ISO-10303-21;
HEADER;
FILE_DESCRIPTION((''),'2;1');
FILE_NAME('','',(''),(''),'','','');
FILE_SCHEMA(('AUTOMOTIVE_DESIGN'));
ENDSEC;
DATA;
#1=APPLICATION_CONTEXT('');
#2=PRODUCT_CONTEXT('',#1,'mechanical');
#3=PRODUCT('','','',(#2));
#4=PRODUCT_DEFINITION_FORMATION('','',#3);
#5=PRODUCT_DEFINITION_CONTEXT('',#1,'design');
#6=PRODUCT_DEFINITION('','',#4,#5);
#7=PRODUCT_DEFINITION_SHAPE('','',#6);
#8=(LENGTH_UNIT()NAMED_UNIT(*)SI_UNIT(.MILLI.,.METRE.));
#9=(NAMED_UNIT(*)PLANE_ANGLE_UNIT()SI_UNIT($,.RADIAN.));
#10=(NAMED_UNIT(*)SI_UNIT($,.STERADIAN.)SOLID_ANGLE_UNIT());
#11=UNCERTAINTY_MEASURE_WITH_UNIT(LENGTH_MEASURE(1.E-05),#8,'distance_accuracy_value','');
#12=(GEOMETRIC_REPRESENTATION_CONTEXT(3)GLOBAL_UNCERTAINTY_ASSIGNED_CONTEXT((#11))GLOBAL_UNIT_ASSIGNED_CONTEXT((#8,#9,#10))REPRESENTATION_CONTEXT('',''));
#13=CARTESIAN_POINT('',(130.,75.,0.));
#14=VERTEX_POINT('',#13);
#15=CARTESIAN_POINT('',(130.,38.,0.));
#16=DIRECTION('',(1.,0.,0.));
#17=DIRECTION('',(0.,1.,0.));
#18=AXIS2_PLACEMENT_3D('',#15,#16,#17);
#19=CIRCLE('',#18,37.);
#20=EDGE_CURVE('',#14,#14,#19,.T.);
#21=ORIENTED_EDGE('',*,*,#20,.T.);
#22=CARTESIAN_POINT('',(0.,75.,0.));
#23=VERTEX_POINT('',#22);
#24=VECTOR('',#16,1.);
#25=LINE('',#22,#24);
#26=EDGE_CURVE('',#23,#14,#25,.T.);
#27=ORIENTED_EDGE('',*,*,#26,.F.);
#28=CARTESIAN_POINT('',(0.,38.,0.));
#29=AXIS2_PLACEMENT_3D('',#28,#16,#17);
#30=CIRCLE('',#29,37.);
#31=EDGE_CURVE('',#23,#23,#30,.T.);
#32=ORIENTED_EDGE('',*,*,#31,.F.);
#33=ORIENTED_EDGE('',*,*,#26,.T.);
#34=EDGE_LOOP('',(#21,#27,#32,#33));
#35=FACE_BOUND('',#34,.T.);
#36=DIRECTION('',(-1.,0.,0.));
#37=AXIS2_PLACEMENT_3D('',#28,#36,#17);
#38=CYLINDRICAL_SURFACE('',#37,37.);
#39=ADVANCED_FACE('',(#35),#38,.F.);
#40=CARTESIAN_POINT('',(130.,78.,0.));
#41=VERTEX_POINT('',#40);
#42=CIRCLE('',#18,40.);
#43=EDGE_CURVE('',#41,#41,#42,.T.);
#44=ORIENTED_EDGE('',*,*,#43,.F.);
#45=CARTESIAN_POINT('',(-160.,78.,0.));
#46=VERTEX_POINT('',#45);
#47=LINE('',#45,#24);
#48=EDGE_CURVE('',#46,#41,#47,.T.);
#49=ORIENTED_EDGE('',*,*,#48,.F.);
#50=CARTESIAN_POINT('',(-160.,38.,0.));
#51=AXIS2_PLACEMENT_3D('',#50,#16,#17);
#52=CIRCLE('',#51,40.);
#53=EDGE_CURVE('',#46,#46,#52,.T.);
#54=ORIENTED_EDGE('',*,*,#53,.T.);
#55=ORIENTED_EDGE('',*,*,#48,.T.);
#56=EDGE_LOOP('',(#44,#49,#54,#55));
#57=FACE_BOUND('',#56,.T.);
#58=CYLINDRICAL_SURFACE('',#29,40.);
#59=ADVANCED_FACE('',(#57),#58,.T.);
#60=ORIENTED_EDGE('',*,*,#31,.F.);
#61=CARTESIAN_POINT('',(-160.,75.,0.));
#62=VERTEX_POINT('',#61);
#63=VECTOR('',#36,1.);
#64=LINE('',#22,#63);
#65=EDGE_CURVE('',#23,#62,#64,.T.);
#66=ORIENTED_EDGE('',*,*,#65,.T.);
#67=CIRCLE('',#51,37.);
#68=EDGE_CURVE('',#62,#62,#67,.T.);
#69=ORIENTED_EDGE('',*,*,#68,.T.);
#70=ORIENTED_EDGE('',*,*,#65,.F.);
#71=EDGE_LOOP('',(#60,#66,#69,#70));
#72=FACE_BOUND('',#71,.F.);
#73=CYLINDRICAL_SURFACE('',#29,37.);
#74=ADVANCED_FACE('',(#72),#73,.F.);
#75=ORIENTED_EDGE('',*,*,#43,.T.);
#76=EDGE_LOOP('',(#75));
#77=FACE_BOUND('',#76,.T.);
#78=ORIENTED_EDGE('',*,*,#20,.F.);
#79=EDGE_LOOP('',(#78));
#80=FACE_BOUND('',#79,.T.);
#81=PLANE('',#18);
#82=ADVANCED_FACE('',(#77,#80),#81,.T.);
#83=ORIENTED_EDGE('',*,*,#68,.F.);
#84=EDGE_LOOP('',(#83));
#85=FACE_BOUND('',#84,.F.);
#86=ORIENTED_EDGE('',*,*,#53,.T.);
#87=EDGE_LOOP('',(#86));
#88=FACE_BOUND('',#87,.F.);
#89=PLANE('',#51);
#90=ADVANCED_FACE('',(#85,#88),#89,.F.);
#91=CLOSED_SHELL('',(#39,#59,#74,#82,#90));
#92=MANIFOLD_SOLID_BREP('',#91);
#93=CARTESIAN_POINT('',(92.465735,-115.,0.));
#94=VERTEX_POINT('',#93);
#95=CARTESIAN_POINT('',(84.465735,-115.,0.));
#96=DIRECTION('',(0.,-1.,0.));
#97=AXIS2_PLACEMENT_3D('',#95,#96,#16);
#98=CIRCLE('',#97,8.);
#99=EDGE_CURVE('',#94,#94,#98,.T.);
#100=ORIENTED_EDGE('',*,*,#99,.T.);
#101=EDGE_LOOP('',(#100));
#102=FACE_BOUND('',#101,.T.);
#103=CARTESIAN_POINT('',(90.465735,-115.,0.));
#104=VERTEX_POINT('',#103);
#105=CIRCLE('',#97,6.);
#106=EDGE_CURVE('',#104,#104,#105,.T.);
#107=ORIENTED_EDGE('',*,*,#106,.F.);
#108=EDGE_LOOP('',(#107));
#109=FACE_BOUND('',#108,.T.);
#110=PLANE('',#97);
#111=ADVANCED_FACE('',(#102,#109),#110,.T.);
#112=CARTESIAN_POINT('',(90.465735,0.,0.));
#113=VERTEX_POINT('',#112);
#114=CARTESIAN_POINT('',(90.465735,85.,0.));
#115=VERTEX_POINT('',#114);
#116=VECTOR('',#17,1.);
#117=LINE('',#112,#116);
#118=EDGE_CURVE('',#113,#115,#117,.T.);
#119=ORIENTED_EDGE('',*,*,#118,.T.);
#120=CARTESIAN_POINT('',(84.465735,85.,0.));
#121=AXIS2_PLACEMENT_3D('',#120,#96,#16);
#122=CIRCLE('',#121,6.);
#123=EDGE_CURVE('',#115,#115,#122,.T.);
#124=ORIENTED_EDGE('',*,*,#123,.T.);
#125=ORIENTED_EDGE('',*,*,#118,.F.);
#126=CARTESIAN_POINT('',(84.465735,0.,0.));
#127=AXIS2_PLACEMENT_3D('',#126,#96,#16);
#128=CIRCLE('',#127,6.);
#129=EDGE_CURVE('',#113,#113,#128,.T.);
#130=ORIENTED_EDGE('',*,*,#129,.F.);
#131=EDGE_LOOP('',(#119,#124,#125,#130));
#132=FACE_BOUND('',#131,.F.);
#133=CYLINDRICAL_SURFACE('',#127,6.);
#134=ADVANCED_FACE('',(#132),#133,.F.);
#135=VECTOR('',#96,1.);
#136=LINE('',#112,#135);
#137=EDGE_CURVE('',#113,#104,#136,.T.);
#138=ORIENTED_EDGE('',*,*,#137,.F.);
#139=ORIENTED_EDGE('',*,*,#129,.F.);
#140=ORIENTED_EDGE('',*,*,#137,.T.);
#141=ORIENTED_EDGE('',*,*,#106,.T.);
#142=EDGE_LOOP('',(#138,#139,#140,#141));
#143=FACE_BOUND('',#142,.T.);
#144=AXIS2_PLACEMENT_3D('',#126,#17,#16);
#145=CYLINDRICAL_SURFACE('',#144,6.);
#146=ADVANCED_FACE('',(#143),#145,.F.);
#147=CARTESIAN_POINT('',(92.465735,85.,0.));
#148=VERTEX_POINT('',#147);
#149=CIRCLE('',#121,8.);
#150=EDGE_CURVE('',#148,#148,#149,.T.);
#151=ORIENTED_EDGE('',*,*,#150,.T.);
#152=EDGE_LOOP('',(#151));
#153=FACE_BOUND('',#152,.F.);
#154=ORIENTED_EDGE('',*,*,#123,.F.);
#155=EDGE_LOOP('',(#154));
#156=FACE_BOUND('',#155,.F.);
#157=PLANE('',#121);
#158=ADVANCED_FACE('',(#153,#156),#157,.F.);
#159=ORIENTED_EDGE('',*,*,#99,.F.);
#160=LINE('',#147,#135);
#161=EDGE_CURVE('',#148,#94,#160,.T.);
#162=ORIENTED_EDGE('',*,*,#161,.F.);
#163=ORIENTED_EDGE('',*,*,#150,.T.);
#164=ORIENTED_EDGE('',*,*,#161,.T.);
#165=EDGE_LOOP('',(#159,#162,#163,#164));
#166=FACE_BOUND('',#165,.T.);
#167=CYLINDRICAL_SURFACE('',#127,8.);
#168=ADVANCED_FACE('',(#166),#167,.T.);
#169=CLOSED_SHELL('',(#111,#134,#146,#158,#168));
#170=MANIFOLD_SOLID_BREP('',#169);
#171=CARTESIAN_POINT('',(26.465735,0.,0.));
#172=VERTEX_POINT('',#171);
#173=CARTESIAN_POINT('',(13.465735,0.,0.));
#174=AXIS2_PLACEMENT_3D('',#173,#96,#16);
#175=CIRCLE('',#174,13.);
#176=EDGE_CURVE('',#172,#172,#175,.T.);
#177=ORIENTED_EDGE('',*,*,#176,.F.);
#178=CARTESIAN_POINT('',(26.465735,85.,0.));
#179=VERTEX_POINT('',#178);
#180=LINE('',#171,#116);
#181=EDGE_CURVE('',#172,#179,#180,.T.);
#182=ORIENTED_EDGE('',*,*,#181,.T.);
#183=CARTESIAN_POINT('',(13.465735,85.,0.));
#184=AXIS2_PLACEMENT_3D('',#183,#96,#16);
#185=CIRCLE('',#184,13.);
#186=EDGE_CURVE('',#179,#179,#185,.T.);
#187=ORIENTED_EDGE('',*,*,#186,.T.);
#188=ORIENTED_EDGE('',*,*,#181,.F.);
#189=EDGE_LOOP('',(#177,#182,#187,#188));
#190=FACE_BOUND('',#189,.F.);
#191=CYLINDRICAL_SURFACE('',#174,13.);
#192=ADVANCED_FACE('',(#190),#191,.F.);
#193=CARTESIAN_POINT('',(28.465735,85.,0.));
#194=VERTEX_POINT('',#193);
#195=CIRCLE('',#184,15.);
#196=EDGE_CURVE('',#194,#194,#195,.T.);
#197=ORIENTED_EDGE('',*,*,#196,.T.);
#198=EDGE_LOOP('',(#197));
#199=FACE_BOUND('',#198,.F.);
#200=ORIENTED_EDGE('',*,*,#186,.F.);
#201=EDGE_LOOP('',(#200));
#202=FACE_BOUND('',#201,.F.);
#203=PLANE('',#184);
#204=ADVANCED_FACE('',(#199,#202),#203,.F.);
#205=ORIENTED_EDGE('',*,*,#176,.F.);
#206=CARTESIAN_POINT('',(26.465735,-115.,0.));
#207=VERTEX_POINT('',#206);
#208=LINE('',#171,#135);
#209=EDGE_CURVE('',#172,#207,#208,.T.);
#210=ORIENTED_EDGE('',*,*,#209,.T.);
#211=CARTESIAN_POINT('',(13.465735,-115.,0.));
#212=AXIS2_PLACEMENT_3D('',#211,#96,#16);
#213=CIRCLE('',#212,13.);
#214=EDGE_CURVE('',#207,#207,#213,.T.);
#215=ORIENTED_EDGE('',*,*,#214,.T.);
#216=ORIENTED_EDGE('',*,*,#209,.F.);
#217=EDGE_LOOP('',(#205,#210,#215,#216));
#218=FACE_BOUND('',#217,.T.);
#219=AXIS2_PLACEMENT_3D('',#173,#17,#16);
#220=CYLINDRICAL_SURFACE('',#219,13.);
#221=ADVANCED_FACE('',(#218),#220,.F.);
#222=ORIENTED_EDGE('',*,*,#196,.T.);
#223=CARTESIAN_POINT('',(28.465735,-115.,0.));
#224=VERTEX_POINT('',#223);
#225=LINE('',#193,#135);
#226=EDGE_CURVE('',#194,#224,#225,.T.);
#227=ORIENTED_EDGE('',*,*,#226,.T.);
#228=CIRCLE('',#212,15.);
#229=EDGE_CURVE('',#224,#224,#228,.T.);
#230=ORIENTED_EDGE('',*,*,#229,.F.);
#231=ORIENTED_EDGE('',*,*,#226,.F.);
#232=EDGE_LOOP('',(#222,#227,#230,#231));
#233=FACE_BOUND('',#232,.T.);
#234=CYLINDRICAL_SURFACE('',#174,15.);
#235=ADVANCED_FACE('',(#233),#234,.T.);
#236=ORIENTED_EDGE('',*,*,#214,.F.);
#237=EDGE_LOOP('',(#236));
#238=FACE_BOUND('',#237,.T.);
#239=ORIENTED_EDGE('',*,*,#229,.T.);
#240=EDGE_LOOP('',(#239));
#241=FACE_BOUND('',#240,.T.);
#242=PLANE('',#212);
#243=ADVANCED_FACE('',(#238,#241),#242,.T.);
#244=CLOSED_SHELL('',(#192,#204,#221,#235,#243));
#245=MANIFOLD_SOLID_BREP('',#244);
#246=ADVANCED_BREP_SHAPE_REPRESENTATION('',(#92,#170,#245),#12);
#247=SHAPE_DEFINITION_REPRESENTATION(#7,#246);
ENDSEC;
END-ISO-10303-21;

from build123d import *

# Parameters (mm, degrees)
F1_R          = 15
F1_R_2        = 13
F2_DEPTH      = 115
F2_DEPTH_BACK = 85
F1_R_3        = 8
F1_R_4        = 6
F3_DEPTH      = 115
F3_DEPTH_BACK = 85
F5_R          = 40
F5_R_2        = 37
F6_DEPTH      = 130
F6_DEPTH_BACK = 160


with BuildPart() as f2:
    # F1 (on Front) → F2 (new body, two sides)
    with BuildSketch(Plane.XZ) as f2_sk:
        with Locations((13.4657353163, 0)):
            Circle(F1_R)
        with Locations((13.4657353163, 0)):
            Circle(F1_R_2, mode=Mode.SUBTRACT)
    extrude(amount=F2_DEPTH)
    extrude(f2_sk.sketch, amount=-F2_DEPTH_BACK)


with BuildPart() as f3:
    # F1 (on Front) → F3 (new body, two sides)
    with BuildSketch(Plane.XZ) as f3_sk:
        with Locations((84.4657353163, 0)):
            Circle(F1_R_3)
        with Locations((84.4657353163, 0)):
            Circle(F1_R_4, mode=Mode.SUBTRACT)
    extrude(amount=F3_DEPTH)
    extrude(f3_sk.sketch, amount=-F3_DEPTH_BACK)


with BuildPart() as f6:
    # F5 (on Right) → F6 (new body, two sides)
    with BuildSketch(Plane.YZ) as f6_sk:
        with Locations((38, 0)):
            Circle(F5_R)
        with Locations((38, 0)):
            Circle(F5_R_2, mode=Mode.SUBTRACT)
    extrude(amount=F6_DEPTH)
    extrude(f6_sk.sketch, amount=-F6_DEPTH_BACK)


solid = Compound([f2.part, f3.part, f6.part])
